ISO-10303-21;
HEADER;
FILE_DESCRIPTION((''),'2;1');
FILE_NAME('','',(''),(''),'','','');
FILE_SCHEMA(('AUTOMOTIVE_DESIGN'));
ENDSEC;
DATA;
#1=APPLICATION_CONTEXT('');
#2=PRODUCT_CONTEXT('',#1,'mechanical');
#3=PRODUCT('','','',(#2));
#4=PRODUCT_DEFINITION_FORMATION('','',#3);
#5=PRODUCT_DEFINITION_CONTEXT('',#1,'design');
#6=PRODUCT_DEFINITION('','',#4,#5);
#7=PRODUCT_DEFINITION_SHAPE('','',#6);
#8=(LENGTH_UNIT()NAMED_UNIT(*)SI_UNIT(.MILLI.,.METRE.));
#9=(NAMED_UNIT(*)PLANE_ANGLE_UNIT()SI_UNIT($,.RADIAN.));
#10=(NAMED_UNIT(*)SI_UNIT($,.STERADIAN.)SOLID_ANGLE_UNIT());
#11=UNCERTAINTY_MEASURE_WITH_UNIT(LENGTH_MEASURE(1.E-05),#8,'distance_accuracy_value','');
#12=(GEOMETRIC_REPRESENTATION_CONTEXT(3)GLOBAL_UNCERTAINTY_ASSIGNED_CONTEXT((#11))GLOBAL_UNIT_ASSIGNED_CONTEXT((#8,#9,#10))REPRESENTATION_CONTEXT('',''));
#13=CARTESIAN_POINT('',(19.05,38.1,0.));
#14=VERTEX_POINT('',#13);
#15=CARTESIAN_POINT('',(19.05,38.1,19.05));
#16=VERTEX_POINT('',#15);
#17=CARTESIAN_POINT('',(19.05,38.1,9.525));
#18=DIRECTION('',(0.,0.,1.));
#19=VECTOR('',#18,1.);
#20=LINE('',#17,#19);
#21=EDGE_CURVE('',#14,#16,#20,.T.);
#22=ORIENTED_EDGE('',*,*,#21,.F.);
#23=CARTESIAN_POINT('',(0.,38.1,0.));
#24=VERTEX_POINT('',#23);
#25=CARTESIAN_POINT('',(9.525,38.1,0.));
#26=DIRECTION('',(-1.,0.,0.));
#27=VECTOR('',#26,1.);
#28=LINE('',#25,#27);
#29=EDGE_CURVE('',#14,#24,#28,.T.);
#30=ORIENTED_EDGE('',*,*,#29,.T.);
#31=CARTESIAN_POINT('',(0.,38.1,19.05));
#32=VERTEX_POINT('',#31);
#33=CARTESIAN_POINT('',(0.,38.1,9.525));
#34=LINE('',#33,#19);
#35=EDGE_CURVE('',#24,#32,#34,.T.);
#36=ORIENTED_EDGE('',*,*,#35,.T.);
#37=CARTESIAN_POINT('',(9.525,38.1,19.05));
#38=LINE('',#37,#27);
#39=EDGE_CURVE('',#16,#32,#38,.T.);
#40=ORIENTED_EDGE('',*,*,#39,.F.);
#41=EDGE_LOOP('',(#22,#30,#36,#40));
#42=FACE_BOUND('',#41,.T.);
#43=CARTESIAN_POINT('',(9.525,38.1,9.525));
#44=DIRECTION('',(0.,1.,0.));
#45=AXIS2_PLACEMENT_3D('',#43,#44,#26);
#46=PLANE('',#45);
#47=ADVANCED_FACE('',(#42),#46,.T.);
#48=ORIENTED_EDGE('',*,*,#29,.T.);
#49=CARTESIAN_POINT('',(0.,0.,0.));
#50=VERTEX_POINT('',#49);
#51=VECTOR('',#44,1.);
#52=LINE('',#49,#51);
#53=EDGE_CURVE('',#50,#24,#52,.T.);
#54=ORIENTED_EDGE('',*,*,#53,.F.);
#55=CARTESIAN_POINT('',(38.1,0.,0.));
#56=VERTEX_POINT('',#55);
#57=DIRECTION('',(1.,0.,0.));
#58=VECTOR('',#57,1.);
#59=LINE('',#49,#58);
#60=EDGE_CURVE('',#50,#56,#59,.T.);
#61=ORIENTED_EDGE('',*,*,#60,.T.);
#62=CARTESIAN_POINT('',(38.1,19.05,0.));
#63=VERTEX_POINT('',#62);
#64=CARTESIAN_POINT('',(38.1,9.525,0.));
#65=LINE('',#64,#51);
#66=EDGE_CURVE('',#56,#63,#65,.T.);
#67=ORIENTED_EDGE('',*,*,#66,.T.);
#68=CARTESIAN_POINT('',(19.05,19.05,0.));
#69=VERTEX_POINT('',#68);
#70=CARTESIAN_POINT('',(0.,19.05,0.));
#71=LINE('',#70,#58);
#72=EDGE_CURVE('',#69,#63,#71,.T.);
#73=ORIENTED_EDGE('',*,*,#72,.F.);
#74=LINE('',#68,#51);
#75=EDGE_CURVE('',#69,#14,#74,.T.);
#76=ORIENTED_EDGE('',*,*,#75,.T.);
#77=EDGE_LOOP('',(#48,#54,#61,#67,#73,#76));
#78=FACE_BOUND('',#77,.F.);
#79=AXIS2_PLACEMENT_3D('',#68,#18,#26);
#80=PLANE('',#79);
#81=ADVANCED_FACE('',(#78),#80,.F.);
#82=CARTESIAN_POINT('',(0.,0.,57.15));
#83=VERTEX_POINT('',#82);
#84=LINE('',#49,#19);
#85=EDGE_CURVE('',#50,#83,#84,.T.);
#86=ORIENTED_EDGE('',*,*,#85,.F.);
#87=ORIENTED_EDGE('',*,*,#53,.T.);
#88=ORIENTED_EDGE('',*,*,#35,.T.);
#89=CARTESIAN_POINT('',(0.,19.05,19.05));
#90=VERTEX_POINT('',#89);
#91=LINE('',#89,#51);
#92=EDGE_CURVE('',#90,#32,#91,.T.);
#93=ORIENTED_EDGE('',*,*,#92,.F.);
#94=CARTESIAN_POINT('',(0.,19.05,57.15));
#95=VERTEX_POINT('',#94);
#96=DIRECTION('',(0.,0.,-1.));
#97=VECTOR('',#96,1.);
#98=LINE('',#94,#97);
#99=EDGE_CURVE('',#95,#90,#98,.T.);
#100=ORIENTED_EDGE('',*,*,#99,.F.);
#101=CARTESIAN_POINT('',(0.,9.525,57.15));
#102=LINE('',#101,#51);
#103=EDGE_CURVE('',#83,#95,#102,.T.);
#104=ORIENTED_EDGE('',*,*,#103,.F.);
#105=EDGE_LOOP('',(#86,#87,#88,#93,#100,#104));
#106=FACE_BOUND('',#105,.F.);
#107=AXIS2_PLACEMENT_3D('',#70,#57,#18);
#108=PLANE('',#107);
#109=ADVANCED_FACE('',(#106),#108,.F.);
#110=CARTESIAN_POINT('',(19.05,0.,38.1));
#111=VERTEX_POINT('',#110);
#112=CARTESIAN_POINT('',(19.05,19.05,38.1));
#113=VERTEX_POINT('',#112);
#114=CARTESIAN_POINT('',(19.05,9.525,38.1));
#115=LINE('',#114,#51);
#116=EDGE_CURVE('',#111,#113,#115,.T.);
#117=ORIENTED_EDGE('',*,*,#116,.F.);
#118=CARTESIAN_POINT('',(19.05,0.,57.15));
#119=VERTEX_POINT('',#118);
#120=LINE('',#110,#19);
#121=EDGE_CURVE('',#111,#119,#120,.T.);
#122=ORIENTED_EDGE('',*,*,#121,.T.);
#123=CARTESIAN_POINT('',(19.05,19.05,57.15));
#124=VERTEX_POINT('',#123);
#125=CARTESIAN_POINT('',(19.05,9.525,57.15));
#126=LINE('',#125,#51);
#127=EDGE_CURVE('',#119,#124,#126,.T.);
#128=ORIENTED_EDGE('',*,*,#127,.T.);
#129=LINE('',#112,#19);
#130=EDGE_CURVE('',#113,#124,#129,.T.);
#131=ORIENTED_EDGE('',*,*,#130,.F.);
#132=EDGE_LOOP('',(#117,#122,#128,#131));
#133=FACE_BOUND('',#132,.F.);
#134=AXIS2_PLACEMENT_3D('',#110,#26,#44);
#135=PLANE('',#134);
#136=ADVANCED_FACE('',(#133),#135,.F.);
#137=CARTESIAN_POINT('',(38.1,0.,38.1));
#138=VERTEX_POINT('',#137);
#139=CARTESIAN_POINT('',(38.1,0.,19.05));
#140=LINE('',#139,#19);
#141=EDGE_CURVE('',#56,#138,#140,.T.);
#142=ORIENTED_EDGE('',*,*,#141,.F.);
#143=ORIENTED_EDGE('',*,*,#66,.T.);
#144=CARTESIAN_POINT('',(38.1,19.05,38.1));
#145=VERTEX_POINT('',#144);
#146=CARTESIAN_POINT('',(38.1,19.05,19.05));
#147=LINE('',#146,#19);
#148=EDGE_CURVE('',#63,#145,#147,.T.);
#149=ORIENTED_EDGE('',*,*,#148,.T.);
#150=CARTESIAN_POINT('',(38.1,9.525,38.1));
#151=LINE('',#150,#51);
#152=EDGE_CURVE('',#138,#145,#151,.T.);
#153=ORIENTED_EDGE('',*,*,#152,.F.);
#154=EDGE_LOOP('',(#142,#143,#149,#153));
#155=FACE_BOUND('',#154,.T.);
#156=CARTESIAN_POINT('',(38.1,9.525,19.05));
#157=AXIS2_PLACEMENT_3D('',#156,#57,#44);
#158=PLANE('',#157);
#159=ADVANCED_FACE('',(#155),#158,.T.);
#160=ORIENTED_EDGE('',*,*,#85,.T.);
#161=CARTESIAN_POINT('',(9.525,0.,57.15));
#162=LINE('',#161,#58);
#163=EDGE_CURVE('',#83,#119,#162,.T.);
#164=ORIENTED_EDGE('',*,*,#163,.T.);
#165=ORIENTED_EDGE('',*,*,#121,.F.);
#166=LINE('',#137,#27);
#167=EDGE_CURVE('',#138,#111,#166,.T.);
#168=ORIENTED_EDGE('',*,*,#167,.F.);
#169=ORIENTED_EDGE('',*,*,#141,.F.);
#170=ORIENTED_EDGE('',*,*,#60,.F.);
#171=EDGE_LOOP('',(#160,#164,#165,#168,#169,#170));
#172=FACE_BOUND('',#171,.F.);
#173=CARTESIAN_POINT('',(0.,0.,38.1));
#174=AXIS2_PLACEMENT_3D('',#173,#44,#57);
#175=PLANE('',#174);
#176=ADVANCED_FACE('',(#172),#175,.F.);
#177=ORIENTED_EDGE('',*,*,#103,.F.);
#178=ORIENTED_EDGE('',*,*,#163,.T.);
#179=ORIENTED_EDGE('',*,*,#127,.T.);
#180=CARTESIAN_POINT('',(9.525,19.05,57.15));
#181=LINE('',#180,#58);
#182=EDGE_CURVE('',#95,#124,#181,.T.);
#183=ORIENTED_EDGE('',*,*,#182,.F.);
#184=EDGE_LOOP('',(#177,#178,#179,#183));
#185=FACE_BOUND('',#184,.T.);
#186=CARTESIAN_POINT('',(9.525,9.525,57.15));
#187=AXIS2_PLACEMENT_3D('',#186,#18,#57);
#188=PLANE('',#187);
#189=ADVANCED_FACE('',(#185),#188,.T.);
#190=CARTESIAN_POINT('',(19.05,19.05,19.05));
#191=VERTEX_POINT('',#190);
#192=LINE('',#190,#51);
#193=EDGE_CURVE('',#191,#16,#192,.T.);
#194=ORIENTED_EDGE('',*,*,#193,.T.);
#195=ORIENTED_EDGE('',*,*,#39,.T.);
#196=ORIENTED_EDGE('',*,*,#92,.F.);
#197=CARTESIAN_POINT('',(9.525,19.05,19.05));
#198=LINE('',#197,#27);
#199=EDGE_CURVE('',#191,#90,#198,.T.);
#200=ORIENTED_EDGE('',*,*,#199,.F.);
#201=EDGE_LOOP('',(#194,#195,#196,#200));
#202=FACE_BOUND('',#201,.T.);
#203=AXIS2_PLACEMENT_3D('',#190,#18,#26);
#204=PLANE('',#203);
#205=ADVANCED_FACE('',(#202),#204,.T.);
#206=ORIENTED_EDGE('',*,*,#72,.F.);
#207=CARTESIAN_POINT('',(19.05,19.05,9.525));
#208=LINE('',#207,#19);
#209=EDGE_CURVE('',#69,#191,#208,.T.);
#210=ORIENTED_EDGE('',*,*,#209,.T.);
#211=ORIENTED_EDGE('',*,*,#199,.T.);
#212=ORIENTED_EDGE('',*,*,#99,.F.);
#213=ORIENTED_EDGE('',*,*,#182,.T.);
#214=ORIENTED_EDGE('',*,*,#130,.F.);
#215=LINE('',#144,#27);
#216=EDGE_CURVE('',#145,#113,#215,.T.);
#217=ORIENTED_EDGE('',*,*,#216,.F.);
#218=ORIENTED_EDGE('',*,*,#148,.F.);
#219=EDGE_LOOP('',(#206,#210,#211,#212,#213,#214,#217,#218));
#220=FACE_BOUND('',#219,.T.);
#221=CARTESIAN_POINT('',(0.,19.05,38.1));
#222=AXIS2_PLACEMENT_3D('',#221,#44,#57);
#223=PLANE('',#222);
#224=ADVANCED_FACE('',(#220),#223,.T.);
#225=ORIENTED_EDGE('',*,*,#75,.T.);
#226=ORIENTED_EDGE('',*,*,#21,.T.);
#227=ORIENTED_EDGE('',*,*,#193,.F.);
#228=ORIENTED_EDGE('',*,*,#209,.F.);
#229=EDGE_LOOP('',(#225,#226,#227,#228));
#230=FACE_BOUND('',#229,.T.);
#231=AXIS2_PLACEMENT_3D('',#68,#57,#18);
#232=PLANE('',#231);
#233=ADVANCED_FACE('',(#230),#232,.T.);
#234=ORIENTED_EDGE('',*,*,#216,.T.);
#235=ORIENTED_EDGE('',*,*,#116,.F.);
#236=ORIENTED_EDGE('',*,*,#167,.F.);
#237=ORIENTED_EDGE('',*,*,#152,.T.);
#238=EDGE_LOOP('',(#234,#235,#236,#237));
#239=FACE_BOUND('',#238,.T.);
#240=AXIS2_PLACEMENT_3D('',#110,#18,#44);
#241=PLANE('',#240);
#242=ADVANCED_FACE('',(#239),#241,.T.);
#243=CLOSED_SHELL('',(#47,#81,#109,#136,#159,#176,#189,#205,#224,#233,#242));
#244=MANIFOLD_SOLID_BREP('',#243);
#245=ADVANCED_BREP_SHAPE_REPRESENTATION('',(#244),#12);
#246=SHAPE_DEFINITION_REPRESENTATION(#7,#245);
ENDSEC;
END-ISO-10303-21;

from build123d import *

# Parameters (mm, degrees)
F0_W     = 19.05
F0_H     = 19.05
F1_DEPTH = 19.05
F2_W     = 19.05
F2_H     = 19.05
F3_DEPTH = 19.05
F4_W     = 19.05
F4_H     = 38.1
F5_DEPTH = 19.05
F6_W     = 19.05
F6_H     = 19.05
F7_DEPTH = 19.05
F8_W     = 19.05
F8_H     = 19.05
F9_DEPTH = 19.05


with BuildPart() as f1:
    # F0 (on Top) → F1 (new body)
    with BuildSketch(Plane.XY):
        with Locations((9.525, 9.525)):
            Rectangle(F0_W, F0_H)
    extrude(amount=F1_DEPTH)

    # F2 (on face) → F3 (join)
    with BuildSketch(Plane.XY.offset(19.05)):
        with Locations((9.525, 9.525)):
            Rectangle(F2_W, F2_H)
    extrude(amount=F3_DEPTH)

    # F4 (on face) → F5 (join)
    with BuildSketch(Plane.YZ.offset(19.05)):
        with Locations((9.525, 19.05)):
            Rectangle(F4_W, F4_H)
    extrude(amount=F5_DEPTH)

    # F6 (on face) → F7 (join)
    with BuildSketch(Plane.XY.offset(38.1)):
        with Locations((9.525, 9.525)):
            Rectangle(F6_W, F6_H)
    extrude(amount=F7_DEPTH)

    # F8 (on face) → F9 (join)
    with BuildSketch(Plane(origin=(0, 19.05, 0), x_dir=(-1, 0, 0), z_dir=(0, 1, 0))):
        with Locations((-9.525, 9.525)):
            Rectangle(F8_W, F8_H)
    extrude(amount=F9_DEPTH)


solid = f1.part
